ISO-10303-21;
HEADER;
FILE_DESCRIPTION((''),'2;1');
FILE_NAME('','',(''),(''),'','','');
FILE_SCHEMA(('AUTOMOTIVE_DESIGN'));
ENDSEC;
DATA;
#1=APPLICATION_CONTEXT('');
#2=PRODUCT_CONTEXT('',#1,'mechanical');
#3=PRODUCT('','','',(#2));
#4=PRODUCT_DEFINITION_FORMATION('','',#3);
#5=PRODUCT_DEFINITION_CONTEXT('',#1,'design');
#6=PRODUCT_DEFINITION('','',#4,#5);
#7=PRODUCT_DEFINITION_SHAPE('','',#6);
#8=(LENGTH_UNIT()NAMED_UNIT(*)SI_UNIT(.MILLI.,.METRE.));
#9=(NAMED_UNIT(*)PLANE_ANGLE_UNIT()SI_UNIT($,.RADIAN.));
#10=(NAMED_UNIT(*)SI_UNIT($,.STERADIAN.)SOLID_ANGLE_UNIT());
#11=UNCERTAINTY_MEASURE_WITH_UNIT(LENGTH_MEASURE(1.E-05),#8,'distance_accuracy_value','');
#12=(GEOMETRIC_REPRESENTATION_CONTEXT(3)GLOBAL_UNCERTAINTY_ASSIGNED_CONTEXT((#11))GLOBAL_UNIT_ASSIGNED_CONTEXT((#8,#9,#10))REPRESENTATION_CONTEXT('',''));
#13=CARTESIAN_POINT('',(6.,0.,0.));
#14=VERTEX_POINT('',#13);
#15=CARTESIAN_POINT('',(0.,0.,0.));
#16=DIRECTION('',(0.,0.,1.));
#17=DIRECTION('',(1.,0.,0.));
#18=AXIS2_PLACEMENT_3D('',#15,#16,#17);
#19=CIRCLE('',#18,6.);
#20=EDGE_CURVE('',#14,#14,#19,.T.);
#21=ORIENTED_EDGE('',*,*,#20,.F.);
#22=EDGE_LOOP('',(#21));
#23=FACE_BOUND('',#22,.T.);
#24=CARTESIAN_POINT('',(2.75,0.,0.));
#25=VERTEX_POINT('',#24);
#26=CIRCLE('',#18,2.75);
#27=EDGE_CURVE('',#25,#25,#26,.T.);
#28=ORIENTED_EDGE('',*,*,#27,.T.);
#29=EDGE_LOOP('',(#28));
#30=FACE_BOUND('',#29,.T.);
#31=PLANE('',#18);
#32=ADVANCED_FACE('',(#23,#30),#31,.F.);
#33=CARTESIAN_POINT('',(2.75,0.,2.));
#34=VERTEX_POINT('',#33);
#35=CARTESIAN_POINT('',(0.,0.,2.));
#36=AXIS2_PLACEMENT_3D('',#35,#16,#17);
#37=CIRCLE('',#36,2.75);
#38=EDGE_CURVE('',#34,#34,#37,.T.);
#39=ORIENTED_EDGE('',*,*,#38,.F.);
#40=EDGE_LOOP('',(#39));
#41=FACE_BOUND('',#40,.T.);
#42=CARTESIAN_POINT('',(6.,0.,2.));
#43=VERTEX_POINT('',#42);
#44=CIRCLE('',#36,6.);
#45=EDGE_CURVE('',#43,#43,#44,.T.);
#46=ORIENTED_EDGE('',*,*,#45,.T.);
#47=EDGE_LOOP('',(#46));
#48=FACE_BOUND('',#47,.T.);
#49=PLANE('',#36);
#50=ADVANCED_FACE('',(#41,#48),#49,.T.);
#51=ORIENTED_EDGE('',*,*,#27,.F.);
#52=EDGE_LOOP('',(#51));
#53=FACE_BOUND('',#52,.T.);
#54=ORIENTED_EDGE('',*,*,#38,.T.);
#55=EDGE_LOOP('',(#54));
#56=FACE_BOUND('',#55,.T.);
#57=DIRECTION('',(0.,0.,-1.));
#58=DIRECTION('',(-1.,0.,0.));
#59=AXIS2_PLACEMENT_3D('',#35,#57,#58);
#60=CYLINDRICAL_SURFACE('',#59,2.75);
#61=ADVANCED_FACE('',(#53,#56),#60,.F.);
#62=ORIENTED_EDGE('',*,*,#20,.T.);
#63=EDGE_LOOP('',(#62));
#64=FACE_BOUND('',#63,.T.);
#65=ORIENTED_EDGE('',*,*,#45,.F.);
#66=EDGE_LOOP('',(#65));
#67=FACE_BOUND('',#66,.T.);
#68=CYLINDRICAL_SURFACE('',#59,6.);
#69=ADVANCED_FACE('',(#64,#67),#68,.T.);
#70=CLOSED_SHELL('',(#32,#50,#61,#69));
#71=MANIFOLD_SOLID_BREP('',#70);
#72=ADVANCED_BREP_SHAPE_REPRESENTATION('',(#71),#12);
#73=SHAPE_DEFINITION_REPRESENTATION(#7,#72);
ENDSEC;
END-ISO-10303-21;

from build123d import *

# Parameters (mm, degrees)
SKETCH_1_R      = 6
SKETCH_1_R_2    = 2.75
EXTRUDE_1_DEPTH = 2


with BuildPart() as part:
    # Эскиз1 → Бобышка-Вытянуть1 (new body)
    with BuildSketch(Plane.XY):
        Circle(SKETCH_1_R)
        Circle(SKETCH_1_R_2, mode=Mode.SUBTRACT)
    extrude(amount=EXTRUDE_1_DEPTH)


solid = part.part
